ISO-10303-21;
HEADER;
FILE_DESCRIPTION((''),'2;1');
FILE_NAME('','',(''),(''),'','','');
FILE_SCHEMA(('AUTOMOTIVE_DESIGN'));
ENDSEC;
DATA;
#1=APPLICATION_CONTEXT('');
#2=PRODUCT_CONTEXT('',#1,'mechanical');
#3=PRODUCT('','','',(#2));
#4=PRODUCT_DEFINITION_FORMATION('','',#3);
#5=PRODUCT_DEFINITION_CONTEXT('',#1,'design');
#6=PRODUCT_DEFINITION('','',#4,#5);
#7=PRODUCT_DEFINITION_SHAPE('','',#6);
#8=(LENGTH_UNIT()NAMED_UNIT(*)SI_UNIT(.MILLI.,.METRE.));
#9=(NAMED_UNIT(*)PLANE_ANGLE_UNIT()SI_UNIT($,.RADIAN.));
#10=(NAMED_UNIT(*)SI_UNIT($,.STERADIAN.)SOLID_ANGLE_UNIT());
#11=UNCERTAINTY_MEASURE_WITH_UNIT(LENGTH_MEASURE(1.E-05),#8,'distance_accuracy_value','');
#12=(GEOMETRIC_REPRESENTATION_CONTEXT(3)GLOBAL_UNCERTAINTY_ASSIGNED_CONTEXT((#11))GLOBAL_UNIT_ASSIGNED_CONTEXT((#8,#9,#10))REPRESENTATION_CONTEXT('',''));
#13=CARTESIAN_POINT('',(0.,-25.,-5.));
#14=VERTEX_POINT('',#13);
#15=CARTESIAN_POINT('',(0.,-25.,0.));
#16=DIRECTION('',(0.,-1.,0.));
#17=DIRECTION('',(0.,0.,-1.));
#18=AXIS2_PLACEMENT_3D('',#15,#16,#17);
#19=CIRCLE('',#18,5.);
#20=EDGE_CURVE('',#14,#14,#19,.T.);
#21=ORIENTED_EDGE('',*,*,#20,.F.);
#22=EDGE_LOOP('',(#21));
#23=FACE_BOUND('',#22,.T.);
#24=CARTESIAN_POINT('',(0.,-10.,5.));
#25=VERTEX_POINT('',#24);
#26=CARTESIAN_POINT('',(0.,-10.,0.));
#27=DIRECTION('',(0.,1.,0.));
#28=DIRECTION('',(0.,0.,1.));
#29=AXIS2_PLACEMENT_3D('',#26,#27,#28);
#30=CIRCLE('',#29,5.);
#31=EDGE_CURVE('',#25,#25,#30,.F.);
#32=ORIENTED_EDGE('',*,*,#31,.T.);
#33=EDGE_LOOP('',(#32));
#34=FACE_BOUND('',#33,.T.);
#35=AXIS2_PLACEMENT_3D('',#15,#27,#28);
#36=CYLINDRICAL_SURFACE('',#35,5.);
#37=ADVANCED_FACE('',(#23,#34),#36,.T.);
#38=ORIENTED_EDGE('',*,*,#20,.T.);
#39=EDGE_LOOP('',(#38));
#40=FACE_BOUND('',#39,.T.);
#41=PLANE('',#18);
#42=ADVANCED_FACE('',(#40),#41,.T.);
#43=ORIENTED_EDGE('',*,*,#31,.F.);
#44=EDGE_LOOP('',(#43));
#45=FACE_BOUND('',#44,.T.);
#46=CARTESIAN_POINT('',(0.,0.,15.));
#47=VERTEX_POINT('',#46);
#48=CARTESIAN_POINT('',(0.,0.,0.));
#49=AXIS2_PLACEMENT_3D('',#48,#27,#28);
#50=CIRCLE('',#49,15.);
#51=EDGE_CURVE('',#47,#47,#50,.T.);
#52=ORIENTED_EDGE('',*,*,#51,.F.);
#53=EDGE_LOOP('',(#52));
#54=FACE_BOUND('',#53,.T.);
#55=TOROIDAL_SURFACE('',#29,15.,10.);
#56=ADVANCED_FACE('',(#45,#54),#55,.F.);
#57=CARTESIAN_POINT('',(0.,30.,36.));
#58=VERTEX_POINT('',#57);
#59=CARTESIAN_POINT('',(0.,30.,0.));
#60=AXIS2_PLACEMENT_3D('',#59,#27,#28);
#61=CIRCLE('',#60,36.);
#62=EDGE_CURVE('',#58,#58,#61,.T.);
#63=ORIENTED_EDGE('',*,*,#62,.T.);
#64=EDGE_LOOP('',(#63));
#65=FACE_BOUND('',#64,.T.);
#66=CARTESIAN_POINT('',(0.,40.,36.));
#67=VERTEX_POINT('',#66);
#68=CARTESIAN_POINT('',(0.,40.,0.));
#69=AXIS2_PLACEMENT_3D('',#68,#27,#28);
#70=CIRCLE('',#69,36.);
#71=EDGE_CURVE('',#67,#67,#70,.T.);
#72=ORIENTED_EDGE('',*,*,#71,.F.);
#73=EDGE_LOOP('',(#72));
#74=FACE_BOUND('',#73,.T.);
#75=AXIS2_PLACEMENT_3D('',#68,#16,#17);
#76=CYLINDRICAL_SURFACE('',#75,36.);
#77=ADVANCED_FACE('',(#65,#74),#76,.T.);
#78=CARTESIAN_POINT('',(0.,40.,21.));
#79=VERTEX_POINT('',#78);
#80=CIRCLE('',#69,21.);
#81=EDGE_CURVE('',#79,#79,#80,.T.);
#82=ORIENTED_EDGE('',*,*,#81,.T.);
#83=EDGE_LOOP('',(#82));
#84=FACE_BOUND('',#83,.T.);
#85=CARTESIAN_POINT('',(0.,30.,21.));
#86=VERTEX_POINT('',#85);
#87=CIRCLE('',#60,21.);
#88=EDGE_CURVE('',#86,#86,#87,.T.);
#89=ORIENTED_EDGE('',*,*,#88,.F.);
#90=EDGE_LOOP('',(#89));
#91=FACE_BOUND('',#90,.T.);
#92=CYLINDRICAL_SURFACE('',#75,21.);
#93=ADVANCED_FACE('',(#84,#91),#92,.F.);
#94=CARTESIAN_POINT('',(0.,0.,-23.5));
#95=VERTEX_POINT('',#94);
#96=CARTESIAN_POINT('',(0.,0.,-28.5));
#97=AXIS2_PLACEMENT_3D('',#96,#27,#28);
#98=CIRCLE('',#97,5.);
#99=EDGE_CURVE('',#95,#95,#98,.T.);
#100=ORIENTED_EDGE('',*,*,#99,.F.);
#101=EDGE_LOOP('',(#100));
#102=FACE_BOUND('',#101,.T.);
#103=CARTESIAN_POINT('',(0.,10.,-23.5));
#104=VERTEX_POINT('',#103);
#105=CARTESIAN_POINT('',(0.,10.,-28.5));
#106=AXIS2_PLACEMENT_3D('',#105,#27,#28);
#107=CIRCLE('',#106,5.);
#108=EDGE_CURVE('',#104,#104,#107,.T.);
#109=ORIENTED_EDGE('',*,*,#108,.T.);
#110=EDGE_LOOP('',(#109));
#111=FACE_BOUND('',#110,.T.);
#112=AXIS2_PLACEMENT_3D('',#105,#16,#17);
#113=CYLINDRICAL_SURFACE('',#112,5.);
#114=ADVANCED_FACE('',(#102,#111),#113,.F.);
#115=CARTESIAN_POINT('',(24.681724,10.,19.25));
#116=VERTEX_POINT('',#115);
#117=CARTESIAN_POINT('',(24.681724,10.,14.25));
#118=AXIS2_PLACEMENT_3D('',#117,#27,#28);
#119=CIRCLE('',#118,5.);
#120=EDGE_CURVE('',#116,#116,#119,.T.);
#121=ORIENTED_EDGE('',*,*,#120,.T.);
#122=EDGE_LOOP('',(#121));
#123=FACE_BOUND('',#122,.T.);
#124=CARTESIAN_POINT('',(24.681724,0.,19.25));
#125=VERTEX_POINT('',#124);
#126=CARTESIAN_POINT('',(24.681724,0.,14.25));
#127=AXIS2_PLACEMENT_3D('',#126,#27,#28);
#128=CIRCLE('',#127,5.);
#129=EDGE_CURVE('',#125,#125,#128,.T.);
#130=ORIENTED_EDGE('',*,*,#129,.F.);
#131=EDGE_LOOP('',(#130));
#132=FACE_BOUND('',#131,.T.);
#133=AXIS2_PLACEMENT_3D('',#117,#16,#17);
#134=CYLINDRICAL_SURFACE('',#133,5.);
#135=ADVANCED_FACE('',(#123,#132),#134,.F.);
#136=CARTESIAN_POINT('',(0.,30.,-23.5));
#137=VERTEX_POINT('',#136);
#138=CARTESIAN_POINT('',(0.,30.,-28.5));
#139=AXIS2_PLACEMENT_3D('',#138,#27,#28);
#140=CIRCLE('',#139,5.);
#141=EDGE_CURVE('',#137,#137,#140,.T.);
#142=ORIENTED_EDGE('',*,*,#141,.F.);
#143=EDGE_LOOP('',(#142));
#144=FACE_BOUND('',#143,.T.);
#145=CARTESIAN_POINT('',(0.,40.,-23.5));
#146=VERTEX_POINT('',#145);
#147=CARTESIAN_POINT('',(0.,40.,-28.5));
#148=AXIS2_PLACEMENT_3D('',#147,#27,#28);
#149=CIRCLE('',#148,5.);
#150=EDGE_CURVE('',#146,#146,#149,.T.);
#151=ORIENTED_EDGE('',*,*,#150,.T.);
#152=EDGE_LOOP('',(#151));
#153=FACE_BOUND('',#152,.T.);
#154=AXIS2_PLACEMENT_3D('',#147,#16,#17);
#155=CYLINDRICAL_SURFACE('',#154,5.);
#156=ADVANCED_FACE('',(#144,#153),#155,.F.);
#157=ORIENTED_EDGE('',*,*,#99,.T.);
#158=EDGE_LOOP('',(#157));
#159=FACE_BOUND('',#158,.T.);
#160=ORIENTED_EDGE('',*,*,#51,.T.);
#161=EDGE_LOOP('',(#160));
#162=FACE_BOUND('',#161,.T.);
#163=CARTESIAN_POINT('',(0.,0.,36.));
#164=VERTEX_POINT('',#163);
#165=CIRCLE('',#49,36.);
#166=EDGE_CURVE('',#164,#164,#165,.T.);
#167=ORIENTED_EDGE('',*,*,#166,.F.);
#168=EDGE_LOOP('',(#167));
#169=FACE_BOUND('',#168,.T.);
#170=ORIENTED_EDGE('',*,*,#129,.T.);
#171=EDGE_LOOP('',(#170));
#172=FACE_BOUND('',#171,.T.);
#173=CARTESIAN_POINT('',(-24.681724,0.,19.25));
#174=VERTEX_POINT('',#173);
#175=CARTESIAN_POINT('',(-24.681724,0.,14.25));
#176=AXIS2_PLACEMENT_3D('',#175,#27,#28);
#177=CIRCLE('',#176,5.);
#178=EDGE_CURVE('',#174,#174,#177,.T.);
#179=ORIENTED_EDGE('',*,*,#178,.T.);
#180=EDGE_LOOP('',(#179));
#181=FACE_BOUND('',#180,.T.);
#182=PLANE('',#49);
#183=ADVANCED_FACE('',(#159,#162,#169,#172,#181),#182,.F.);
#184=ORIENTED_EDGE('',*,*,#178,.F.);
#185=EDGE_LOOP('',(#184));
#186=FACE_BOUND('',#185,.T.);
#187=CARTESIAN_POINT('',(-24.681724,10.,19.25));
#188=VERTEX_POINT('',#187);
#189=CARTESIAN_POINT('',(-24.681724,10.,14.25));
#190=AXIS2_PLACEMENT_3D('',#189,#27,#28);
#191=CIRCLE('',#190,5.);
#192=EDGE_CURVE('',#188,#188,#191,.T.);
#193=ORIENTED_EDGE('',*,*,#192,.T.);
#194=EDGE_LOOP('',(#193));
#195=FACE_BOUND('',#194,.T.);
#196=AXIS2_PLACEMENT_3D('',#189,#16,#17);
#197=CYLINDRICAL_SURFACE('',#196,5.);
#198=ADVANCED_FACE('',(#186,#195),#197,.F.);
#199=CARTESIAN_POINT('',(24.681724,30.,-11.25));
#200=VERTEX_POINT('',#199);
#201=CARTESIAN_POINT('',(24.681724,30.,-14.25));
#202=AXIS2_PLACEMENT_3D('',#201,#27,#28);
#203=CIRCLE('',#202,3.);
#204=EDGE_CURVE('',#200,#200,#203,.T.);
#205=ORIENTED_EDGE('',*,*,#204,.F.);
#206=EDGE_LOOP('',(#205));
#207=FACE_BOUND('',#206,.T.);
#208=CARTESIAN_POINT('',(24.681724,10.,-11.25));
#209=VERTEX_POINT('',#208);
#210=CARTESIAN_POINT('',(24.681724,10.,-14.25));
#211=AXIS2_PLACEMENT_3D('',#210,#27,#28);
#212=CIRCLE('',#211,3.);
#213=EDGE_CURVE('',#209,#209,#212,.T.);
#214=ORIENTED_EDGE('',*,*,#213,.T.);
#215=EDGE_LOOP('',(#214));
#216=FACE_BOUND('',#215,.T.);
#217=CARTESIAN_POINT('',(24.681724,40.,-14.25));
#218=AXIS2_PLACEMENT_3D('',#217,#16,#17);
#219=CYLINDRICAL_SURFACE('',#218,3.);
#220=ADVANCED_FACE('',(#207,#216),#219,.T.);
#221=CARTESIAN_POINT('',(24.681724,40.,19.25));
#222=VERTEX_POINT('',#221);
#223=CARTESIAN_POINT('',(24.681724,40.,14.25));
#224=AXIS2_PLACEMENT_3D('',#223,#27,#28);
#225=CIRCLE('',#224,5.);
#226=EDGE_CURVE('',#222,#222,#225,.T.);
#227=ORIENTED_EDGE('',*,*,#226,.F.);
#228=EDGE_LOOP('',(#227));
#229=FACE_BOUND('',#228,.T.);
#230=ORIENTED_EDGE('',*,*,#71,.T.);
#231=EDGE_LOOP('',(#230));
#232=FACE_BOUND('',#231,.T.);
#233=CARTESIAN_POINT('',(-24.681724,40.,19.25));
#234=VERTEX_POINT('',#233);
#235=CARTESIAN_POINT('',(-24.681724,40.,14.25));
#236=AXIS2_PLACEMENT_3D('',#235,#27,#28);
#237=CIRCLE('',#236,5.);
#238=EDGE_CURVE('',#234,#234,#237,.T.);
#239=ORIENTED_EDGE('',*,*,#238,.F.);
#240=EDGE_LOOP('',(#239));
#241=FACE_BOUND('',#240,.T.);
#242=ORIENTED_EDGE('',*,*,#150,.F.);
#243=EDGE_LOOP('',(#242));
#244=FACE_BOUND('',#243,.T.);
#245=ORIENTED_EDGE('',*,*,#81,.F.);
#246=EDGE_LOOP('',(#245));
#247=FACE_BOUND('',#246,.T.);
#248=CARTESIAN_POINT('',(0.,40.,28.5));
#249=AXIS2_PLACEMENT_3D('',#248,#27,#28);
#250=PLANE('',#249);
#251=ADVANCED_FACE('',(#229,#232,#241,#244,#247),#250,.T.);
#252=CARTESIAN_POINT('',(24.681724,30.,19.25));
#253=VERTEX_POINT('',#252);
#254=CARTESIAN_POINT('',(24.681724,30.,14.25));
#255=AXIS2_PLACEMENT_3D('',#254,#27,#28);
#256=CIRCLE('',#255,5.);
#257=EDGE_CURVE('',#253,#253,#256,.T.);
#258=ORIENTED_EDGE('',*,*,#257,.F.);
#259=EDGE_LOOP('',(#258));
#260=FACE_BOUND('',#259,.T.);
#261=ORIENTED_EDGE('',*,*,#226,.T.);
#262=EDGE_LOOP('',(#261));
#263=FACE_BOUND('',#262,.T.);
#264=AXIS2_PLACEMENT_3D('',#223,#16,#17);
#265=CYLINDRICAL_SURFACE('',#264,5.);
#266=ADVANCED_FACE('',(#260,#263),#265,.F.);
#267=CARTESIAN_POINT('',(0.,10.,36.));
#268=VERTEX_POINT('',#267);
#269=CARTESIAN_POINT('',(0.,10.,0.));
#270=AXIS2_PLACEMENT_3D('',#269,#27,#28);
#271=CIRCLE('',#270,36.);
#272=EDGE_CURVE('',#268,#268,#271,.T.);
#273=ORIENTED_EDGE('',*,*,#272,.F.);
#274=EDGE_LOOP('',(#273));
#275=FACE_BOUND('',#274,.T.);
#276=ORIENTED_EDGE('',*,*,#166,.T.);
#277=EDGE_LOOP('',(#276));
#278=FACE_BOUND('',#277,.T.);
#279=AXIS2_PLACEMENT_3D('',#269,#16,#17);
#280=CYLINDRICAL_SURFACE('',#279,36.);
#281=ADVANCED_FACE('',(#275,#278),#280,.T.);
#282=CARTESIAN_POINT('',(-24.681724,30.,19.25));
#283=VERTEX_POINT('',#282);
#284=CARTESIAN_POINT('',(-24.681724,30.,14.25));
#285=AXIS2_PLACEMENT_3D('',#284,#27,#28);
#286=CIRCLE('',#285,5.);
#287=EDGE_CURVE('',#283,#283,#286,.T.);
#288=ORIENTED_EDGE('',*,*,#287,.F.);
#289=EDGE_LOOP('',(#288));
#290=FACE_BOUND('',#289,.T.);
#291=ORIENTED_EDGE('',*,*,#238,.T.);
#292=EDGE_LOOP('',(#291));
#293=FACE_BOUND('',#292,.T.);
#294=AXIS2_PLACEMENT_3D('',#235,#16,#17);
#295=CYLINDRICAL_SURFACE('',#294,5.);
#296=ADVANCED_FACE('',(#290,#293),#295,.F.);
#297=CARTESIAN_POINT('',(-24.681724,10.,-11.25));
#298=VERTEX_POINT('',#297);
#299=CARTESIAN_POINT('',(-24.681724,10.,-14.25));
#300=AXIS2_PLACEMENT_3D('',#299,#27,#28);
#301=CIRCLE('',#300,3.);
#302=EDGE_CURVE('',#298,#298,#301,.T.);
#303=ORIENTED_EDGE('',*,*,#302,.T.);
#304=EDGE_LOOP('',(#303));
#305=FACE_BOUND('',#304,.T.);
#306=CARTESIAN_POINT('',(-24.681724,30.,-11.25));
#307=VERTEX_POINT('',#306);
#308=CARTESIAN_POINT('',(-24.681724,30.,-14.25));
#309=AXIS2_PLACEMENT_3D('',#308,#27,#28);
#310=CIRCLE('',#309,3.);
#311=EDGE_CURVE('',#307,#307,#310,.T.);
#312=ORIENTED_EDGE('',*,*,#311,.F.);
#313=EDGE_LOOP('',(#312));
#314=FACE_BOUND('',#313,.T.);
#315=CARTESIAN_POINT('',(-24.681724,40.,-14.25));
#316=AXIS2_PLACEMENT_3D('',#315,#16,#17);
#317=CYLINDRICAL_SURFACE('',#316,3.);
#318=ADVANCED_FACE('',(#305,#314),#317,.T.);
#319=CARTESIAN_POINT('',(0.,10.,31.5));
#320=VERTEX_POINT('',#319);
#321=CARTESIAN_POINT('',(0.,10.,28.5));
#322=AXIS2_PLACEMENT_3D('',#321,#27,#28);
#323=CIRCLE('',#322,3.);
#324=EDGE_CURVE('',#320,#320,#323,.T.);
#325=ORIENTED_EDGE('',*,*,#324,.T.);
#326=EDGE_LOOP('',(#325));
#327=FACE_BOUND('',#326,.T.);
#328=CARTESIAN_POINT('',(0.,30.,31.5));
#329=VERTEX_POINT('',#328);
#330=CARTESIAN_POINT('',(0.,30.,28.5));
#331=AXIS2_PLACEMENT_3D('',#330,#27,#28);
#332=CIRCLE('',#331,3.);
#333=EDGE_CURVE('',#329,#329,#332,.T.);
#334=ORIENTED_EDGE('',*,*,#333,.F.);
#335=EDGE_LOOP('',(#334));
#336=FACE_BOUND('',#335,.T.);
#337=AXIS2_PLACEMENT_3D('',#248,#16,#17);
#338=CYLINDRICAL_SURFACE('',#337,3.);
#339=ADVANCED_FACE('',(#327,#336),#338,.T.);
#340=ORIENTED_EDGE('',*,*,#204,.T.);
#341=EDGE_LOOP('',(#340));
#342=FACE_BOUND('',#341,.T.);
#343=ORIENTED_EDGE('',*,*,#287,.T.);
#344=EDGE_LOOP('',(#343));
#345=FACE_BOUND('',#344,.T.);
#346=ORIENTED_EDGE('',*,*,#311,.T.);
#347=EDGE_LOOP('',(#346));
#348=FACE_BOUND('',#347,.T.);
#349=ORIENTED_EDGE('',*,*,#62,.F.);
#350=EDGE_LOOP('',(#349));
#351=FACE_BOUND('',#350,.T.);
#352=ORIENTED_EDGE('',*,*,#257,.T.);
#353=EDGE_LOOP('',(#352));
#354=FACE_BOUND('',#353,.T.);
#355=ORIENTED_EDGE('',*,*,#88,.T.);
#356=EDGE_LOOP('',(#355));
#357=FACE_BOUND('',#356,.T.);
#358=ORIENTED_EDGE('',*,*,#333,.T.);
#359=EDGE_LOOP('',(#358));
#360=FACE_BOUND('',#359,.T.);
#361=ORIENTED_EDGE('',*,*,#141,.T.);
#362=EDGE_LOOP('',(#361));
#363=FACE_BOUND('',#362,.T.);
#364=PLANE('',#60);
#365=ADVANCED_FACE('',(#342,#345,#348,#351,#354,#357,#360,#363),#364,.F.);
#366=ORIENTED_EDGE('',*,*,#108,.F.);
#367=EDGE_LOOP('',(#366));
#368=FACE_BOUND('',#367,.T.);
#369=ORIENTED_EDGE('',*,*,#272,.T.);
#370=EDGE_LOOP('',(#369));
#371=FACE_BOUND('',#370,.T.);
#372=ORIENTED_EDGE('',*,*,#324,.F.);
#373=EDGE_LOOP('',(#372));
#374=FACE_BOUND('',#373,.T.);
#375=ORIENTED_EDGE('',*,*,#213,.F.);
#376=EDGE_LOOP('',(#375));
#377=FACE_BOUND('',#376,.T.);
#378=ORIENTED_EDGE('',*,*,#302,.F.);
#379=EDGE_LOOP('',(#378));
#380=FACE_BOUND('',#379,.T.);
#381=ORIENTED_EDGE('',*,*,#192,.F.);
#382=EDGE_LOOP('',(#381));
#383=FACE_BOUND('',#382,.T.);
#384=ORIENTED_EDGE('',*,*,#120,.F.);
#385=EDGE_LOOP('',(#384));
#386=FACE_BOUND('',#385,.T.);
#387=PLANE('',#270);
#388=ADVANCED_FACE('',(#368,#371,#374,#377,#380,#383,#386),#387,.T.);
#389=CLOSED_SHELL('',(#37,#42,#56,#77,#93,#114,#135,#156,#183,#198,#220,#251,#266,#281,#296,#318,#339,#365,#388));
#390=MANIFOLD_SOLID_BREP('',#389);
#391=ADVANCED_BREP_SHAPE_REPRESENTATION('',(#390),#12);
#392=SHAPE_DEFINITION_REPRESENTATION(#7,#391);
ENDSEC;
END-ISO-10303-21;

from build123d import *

# Parameters (mm, degrees)
SKETCH1_R           = 36
SKETCH1_R_2         = 5
SKETCH1_R_3         = 3
SKETCH1_R_4         = 21
BOSS_EXTRUDE1_DEPTH = 10
SKETCH1_3_R         = 3
BOSS_EXTRUDE2_DEPTH = 40
LPATTERN3_COUNT     = 2
LPATTERN3_PITCH     = 30
SKETCH2_R           = 21
BOSS_EXTRUDE3_DEPTH = 10
SKETCH4_R           = 5
BOSS_EXTRUDE4_DEPTH = 25
FILLET1_R           = 10


with BuildPart() as part:
    # Sketch1 → Boss-Extrude1 (new body)
    with BuildSketch(Plane(origin=(0, 0, 0), x_dir=(1, 0, 0), z_dir=(0, 1, 0))):
        Circle(SKETCH1_R)
        with Locations((0, 28.5)):
            Circle(SKETCH1_R_2, mode=Mode.SUBTRACT)
        with Locations((24.681724008, 14.25)):
            Circle(SKETCH1_R_3, mode=Mode.SUBTRACT)
        with Locations((24.681724008, -14.25)):
            Circle(SKETCH1_R_2, mode=Mode.SUBTRACT)
        with Locations((0, -28.5)):
            Circle(SKETCH1_R_3, mode=Mode.SUBTRACT)
        with Locations((-24.681724008, -14.25)):
            Circle(SKETCH1_R_2, mode=Mode.SUBTRACT)
        with Locations((-24.681724008, 14.25)):
            Circle(SKETCH1_R_3, mode=Mode.SUBTRACT)
        Circle(SKETCH1_R_4, mode=Mode.SUBTRACT)
    boss_extrude1 = extrude(amount=BOSS_EXTRUDE1_DEPTH)

    # Sketch1<3> → Boss-Extrude2 (add)
    with BuildSketch(Plane(origin=(0, 0, 0), x_dir=(1, 0, 0), z_dir=(0, 1, 0))):
        with Locations((0, -28.5)):
            Circle(SKETCH1_3_R)
        with Locations((-24.681724008, 14.25)):
            Circle(SKETCH1_3_R)
        with Locations((24.681724008, 14.25)):
            Circle(SKETCH1_3_R)
    extrude(amount=BOSS_EXTRUDE2_DEPTH)

    # LPattern3: Boss-Extrude1 ×2
    with Locations(*[(0, i * LPATTERN3_PITCH, 0) for i in range(1, LPATTERN3_COUNT)]):
        add(boss_extrude1)

    # Sketch2 → Boss-Extrude3 (add)
    with BuildSketch(Plane.XZ):
        Circle(SKETCH2_R)
    extrude(amount=-BOSS_EXTRUDE3_DEPTH)

    # Sketch4 → Boss-Extrude4 (add)
    with BuildSketch(Plane.XZ):
        Circle(SKETCH4_R)
    extrude(amount=BOSS_EXTRUDE4_DEPTH)

    # Fillet1
    fillet1_edges = [part.edges().sort_by_distance(p)[0] for p in [
        (-5, 0, 0),
    ]]
    fillet(fillet1_edges, radius=FILLET1_R)


solid = part.part
